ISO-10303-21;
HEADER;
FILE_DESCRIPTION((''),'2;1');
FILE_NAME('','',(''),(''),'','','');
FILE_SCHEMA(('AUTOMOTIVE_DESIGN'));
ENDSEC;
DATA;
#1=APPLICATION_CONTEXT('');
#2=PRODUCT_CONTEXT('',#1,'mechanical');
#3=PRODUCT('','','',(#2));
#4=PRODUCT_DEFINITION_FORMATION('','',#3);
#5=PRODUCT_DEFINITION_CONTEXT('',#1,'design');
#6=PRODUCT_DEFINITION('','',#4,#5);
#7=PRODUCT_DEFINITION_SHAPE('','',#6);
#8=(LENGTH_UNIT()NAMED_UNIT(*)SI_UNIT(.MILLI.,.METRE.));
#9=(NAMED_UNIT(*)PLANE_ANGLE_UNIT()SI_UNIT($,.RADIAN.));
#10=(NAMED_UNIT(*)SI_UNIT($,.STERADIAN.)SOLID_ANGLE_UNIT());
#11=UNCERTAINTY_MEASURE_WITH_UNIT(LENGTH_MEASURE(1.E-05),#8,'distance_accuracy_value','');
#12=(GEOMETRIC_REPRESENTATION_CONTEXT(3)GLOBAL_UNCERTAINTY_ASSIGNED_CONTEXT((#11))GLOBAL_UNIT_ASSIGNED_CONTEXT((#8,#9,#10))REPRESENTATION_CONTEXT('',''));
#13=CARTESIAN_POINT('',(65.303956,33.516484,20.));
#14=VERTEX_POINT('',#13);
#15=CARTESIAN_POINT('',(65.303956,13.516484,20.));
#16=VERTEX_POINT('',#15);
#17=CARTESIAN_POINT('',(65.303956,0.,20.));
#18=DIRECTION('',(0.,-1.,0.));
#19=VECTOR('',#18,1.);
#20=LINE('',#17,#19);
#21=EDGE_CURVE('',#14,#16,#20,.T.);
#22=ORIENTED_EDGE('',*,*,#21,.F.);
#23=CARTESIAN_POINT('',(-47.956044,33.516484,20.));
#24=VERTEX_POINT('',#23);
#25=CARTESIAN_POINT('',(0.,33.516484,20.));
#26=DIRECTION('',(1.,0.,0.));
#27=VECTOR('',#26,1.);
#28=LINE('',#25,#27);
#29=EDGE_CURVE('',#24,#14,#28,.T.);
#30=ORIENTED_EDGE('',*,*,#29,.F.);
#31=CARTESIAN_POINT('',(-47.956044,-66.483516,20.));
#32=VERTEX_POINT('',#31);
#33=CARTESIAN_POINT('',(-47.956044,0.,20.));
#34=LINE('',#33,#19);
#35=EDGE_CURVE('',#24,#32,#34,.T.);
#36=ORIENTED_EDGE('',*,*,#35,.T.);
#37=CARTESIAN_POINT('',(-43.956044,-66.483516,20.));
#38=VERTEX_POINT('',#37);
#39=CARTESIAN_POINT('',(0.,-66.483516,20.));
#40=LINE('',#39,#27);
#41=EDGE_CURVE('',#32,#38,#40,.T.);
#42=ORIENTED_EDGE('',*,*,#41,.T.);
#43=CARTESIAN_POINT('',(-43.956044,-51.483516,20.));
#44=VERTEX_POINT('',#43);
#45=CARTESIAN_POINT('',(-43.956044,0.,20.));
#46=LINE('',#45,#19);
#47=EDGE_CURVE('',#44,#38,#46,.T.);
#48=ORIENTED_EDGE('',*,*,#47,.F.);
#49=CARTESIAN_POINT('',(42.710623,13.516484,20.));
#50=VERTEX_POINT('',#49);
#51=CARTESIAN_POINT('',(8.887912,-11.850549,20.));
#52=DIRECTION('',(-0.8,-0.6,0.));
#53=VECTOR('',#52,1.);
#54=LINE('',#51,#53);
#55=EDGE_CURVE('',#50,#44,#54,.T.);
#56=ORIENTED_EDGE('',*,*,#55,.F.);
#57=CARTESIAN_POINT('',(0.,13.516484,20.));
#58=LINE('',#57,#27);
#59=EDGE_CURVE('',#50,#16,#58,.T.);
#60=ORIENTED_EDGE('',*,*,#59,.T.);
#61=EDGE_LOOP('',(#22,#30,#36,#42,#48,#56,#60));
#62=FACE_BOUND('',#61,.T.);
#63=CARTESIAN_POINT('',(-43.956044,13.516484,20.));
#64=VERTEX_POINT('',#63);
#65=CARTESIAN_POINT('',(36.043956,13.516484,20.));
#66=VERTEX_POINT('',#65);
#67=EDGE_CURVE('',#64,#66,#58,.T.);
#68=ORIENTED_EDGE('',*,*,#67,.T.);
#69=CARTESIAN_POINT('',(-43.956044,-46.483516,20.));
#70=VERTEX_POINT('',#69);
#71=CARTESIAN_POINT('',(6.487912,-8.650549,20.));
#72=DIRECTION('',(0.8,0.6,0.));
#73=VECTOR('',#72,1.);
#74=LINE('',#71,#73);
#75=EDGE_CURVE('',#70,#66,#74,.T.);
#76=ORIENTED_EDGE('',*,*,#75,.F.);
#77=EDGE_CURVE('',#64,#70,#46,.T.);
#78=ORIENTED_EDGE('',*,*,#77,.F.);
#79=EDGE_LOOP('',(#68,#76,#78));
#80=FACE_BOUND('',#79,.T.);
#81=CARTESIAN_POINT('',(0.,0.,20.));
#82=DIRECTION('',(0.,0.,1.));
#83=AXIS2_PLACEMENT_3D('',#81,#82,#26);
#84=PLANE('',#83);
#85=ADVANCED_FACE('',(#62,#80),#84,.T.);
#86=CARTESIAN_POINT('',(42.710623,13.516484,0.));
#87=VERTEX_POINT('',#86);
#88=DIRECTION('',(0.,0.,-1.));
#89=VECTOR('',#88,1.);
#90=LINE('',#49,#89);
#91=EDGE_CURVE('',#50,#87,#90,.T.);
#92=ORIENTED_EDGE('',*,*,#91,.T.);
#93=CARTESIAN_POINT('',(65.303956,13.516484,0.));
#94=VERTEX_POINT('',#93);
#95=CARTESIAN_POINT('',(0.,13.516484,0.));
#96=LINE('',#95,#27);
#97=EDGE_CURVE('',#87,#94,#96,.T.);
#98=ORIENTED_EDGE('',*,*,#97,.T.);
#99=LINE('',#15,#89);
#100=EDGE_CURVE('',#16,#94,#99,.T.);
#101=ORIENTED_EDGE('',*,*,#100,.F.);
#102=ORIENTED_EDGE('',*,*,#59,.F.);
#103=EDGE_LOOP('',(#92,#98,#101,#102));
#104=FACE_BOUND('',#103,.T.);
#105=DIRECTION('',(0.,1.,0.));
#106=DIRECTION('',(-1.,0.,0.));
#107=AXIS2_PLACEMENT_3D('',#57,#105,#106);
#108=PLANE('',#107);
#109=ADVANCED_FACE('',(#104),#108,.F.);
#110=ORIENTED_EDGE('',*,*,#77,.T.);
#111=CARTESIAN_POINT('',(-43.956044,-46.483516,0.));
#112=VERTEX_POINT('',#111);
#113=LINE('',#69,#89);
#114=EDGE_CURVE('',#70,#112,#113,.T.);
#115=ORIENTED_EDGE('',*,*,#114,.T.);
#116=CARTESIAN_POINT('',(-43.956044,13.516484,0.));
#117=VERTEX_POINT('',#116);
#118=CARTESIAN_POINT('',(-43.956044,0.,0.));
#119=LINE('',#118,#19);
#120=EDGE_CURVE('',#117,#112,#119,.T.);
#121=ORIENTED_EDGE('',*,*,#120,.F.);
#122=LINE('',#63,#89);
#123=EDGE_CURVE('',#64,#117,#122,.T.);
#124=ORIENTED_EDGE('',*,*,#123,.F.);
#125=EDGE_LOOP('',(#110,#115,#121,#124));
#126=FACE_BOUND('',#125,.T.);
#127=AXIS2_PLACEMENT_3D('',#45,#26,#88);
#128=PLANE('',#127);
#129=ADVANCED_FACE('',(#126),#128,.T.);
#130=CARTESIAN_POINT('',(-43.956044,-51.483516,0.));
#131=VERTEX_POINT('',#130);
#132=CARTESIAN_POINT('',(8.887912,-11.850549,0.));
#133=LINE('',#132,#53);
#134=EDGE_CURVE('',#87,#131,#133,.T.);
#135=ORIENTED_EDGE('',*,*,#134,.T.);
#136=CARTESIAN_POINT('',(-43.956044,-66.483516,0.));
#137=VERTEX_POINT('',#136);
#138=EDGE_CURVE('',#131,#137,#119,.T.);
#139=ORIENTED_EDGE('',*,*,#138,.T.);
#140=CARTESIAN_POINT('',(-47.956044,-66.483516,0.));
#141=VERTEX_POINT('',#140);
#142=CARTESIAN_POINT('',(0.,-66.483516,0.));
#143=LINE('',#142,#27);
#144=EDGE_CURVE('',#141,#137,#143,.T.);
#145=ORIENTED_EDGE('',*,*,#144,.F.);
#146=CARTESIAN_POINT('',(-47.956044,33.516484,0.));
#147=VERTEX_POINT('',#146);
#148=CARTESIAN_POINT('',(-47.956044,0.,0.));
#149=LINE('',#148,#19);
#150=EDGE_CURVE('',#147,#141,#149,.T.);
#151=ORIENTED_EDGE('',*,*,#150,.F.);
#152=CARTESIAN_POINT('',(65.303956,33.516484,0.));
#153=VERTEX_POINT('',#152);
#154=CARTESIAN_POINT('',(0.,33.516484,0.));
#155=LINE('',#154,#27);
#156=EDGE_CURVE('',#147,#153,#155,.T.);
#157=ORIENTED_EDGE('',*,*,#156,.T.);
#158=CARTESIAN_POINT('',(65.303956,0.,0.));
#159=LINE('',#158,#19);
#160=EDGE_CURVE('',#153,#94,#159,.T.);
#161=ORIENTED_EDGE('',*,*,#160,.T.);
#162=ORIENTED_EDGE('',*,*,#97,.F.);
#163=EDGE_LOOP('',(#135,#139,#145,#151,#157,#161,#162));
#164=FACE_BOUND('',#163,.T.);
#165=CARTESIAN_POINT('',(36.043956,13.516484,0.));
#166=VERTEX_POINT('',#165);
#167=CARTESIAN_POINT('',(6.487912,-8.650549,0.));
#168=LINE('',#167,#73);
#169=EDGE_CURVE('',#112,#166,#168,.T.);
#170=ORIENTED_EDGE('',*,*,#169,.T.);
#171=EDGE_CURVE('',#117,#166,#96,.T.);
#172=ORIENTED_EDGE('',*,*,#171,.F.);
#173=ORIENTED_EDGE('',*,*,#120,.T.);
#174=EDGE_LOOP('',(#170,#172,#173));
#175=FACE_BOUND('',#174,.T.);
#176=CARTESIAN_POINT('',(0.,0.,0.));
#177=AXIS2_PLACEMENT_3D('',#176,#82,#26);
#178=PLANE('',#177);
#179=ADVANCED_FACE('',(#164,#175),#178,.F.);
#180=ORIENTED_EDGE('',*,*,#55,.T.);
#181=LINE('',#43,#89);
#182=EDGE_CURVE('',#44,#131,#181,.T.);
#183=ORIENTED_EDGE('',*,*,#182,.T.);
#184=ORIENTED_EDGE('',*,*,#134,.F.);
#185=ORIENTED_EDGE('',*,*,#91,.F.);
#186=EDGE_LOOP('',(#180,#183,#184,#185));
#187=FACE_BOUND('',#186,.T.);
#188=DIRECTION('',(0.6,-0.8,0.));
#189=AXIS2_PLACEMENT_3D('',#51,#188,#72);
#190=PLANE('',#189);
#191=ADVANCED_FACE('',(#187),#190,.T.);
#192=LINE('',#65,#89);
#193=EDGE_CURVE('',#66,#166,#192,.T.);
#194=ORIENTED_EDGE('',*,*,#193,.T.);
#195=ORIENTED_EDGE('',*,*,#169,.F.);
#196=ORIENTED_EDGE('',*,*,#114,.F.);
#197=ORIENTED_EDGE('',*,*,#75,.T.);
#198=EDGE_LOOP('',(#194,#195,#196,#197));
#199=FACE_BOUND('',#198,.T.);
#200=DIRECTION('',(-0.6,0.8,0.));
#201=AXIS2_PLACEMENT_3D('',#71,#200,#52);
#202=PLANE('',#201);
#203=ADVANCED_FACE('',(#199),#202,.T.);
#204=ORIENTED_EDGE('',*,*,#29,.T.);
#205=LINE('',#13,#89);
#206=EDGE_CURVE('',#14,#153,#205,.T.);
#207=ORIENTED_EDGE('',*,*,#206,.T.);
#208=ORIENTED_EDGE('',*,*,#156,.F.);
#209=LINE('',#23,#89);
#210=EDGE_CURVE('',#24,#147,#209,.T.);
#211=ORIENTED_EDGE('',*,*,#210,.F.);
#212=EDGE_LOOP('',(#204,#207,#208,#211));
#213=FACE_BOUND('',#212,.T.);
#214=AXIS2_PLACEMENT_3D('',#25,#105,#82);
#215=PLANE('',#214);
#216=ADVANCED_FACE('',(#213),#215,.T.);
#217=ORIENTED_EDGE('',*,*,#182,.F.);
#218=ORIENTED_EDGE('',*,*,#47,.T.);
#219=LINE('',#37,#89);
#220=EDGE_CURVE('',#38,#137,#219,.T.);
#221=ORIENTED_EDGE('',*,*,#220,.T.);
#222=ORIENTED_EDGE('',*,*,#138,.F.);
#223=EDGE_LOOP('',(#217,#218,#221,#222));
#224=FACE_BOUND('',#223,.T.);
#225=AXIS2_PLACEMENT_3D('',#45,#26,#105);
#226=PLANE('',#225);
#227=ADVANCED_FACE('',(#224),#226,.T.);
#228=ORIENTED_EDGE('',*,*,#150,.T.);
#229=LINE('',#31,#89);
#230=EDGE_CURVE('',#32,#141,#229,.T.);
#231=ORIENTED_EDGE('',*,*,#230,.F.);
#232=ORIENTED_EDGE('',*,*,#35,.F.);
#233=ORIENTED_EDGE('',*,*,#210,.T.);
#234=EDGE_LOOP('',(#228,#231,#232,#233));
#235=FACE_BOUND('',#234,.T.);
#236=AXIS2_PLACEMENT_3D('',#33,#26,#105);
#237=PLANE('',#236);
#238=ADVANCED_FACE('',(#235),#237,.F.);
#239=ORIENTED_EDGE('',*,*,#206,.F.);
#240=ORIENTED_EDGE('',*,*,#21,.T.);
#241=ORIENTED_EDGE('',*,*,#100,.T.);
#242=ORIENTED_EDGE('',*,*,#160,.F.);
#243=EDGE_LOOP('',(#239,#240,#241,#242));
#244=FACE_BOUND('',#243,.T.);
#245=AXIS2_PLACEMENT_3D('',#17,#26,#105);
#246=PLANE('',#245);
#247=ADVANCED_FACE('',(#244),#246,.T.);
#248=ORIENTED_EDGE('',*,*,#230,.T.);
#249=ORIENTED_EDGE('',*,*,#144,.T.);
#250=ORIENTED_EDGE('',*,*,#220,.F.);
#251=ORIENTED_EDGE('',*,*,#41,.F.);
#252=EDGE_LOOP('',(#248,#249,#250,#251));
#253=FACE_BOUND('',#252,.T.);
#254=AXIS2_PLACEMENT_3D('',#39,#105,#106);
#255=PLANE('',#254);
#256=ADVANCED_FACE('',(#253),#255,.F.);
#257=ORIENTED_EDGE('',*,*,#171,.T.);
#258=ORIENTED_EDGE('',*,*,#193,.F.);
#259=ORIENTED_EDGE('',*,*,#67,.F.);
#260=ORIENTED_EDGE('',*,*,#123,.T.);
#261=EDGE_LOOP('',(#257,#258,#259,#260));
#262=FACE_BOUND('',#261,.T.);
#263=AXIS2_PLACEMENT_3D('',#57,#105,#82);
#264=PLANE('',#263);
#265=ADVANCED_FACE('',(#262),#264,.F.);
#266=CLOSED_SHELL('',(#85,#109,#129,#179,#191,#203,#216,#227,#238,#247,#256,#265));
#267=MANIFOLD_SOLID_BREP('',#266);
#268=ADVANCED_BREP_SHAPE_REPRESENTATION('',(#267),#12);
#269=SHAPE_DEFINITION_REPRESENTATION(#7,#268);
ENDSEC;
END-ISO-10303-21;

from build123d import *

# Parameters (mm, degrees)
BOSS_EXTRUDE1_DEPTH = 20


with BuildPart() as part:
    # Sketch1 → Boss-Extrude1 (new body)
    with BuildSketch(Plane.XY):
        Polygon((65.303956044, 33.516483516), (-43.956043956, 33.516483516), (-47.956043956, 33.516483516), (-47.956043956, -66.483516484), (-43.956043956, -66.483516484), (-43.956043956, -51.483516484), (42.710622711, 13.516483516), (65.303956044, 13.516483516), align=None)
        Polygon((36.043956044, 13.516483516), (-43.956043956, -46.483516484), (-43.956043956, 13.516483516), align=None, mode=Mode.SUBTRACT)
    extrude(amount=BOSS_EXTRUDE1_DEPTH)


solid = part.part
